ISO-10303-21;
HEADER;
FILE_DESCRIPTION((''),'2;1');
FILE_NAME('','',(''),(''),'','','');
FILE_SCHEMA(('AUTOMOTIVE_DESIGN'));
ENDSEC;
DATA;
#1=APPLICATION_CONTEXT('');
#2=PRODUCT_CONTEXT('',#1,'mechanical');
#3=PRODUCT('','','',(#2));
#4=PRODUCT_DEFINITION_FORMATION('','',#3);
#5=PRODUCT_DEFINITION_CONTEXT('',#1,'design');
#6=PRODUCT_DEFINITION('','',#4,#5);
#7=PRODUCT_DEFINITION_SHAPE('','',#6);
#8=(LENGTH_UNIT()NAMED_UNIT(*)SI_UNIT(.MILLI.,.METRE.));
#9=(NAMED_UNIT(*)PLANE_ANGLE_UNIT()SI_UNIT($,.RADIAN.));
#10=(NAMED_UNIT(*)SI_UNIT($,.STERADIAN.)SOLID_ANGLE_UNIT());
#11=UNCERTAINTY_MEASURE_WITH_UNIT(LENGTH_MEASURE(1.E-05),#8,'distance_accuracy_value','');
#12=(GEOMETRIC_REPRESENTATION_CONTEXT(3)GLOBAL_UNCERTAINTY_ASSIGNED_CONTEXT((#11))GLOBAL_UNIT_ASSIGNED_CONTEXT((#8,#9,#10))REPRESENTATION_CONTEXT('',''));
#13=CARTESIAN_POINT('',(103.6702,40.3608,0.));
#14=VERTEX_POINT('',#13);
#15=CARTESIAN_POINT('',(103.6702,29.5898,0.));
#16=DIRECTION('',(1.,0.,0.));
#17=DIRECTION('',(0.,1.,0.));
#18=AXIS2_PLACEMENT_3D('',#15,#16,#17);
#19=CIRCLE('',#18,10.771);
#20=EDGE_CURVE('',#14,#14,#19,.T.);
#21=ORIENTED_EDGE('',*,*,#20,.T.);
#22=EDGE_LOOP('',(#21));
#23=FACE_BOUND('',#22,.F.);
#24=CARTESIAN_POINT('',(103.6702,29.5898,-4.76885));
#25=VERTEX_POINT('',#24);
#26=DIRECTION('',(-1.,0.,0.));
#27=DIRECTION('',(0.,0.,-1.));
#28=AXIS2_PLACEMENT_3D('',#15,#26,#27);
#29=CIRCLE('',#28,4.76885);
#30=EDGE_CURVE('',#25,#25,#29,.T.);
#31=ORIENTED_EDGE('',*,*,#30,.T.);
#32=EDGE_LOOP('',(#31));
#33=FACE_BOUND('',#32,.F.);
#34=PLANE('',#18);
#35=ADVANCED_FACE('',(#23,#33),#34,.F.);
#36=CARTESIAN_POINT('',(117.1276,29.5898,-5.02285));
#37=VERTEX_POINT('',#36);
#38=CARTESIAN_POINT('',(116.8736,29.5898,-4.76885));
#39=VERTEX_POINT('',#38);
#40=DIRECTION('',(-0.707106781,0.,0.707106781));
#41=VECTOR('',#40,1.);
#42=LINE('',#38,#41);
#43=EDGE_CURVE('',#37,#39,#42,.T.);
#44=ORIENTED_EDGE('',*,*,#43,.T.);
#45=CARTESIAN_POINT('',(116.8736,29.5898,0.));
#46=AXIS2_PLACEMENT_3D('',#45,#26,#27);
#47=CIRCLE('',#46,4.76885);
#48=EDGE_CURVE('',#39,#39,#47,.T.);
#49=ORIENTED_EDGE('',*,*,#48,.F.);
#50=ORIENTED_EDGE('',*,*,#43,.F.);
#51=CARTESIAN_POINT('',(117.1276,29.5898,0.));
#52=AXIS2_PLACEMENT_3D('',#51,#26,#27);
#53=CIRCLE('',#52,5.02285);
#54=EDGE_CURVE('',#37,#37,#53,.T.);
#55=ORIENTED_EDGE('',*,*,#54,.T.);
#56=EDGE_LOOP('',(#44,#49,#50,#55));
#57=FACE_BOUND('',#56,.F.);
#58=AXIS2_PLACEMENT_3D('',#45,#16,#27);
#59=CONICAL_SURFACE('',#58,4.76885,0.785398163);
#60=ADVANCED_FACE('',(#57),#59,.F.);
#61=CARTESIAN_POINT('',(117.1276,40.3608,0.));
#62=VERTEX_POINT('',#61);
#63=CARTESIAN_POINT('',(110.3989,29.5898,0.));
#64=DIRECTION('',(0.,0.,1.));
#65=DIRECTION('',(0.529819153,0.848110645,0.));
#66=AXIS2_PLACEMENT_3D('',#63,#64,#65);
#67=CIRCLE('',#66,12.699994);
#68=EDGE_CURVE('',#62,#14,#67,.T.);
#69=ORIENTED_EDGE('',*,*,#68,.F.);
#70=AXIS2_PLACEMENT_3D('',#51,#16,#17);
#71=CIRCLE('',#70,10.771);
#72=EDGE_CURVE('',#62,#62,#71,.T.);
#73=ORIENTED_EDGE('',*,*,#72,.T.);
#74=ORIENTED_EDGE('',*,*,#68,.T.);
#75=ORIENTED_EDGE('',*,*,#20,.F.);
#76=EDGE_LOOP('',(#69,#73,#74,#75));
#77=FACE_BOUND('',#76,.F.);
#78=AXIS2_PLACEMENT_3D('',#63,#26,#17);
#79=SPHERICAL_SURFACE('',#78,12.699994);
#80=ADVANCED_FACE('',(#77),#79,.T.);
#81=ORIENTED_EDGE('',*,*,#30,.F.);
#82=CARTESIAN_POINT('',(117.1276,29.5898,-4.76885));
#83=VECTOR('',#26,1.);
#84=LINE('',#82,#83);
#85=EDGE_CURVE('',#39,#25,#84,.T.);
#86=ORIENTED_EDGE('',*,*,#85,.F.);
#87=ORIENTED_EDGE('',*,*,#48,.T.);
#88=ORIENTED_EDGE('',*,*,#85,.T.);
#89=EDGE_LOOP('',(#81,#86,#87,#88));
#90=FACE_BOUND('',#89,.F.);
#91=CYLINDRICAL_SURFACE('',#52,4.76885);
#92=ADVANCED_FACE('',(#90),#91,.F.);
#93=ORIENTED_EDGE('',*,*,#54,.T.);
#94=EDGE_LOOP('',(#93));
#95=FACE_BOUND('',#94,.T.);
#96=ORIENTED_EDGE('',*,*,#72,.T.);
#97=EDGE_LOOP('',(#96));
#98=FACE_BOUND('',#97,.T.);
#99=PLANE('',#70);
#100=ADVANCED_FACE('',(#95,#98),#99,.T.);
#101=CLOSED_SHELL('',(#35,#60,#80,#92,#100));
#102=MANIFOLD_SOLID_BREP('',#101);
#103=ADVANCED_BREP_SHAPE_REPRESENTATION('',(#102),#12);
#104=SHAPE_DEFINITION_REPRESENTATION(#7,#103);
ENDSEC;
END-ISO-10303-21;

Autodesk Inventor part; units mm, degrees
ref_plane "YZ Plane" through (0, 0, 0) normal (1, 0, 0) x (0, 1, 0)
ref_plane "XZ Plane" through (0, 0, 0) normal (0, 1, 0) x (-1, 0, 0)
ref_plane "XY Plane" through (0, 0, 0) normal (0, 0, 1) x (1, 0, 0)
sketch "Sketch1" plane through (0, 0, 0) normal (0, 0, 1) x (1, 0, 0)
  arc A0 (103.6702, 18.7694) -> (117.1276, 18.7694) centre (110.3989, 29.5404) ccw
  line L0 (103.6702, 40.3608) -> (103.6702, 29.5898)
  line L1 (117.1276, 40.3608) -> (117.1276, 29.5898)
  line L2 (95.2163, 29.5898) -> (125.5815, 29.5898)
  arc A1 (117.1276, 40.3608) -> (103.6702, 40.3608) centre (110.3989, 29.5898) ccw
  point P0 (0, 0)
  point P1 (110.3989, 16.8404)
  dimension "d44" = 21.6408
  dimension "d45" = 12.7
  dimension "d46" = 12.7
revolve "Revolution1" add sketch "Sketch1" angle 360 about axis through (95.2163, 29.5898, 0) along (1, 0, 0)
sketch "Sketch2" plane through (117.1276, 29.5898, 0) normal (1, 0, 0) x (0, 0, -1)
  circle A0 centre (0, 0) radius 10.771 projected
  point P0 (0, -29.5898)
hole "Hole1" at (117.1276, 29.5898, 0) direction (-1, 0, 0) diameter 9.5377 depth 25.4 tip angle 118
chamfer "Chamfer1" distance 0.254 angle 45 1 edges at (117.1276, 29.5898, 4.7689)
equation "\"d45\" = d46"
properties part number "FM1406P"
